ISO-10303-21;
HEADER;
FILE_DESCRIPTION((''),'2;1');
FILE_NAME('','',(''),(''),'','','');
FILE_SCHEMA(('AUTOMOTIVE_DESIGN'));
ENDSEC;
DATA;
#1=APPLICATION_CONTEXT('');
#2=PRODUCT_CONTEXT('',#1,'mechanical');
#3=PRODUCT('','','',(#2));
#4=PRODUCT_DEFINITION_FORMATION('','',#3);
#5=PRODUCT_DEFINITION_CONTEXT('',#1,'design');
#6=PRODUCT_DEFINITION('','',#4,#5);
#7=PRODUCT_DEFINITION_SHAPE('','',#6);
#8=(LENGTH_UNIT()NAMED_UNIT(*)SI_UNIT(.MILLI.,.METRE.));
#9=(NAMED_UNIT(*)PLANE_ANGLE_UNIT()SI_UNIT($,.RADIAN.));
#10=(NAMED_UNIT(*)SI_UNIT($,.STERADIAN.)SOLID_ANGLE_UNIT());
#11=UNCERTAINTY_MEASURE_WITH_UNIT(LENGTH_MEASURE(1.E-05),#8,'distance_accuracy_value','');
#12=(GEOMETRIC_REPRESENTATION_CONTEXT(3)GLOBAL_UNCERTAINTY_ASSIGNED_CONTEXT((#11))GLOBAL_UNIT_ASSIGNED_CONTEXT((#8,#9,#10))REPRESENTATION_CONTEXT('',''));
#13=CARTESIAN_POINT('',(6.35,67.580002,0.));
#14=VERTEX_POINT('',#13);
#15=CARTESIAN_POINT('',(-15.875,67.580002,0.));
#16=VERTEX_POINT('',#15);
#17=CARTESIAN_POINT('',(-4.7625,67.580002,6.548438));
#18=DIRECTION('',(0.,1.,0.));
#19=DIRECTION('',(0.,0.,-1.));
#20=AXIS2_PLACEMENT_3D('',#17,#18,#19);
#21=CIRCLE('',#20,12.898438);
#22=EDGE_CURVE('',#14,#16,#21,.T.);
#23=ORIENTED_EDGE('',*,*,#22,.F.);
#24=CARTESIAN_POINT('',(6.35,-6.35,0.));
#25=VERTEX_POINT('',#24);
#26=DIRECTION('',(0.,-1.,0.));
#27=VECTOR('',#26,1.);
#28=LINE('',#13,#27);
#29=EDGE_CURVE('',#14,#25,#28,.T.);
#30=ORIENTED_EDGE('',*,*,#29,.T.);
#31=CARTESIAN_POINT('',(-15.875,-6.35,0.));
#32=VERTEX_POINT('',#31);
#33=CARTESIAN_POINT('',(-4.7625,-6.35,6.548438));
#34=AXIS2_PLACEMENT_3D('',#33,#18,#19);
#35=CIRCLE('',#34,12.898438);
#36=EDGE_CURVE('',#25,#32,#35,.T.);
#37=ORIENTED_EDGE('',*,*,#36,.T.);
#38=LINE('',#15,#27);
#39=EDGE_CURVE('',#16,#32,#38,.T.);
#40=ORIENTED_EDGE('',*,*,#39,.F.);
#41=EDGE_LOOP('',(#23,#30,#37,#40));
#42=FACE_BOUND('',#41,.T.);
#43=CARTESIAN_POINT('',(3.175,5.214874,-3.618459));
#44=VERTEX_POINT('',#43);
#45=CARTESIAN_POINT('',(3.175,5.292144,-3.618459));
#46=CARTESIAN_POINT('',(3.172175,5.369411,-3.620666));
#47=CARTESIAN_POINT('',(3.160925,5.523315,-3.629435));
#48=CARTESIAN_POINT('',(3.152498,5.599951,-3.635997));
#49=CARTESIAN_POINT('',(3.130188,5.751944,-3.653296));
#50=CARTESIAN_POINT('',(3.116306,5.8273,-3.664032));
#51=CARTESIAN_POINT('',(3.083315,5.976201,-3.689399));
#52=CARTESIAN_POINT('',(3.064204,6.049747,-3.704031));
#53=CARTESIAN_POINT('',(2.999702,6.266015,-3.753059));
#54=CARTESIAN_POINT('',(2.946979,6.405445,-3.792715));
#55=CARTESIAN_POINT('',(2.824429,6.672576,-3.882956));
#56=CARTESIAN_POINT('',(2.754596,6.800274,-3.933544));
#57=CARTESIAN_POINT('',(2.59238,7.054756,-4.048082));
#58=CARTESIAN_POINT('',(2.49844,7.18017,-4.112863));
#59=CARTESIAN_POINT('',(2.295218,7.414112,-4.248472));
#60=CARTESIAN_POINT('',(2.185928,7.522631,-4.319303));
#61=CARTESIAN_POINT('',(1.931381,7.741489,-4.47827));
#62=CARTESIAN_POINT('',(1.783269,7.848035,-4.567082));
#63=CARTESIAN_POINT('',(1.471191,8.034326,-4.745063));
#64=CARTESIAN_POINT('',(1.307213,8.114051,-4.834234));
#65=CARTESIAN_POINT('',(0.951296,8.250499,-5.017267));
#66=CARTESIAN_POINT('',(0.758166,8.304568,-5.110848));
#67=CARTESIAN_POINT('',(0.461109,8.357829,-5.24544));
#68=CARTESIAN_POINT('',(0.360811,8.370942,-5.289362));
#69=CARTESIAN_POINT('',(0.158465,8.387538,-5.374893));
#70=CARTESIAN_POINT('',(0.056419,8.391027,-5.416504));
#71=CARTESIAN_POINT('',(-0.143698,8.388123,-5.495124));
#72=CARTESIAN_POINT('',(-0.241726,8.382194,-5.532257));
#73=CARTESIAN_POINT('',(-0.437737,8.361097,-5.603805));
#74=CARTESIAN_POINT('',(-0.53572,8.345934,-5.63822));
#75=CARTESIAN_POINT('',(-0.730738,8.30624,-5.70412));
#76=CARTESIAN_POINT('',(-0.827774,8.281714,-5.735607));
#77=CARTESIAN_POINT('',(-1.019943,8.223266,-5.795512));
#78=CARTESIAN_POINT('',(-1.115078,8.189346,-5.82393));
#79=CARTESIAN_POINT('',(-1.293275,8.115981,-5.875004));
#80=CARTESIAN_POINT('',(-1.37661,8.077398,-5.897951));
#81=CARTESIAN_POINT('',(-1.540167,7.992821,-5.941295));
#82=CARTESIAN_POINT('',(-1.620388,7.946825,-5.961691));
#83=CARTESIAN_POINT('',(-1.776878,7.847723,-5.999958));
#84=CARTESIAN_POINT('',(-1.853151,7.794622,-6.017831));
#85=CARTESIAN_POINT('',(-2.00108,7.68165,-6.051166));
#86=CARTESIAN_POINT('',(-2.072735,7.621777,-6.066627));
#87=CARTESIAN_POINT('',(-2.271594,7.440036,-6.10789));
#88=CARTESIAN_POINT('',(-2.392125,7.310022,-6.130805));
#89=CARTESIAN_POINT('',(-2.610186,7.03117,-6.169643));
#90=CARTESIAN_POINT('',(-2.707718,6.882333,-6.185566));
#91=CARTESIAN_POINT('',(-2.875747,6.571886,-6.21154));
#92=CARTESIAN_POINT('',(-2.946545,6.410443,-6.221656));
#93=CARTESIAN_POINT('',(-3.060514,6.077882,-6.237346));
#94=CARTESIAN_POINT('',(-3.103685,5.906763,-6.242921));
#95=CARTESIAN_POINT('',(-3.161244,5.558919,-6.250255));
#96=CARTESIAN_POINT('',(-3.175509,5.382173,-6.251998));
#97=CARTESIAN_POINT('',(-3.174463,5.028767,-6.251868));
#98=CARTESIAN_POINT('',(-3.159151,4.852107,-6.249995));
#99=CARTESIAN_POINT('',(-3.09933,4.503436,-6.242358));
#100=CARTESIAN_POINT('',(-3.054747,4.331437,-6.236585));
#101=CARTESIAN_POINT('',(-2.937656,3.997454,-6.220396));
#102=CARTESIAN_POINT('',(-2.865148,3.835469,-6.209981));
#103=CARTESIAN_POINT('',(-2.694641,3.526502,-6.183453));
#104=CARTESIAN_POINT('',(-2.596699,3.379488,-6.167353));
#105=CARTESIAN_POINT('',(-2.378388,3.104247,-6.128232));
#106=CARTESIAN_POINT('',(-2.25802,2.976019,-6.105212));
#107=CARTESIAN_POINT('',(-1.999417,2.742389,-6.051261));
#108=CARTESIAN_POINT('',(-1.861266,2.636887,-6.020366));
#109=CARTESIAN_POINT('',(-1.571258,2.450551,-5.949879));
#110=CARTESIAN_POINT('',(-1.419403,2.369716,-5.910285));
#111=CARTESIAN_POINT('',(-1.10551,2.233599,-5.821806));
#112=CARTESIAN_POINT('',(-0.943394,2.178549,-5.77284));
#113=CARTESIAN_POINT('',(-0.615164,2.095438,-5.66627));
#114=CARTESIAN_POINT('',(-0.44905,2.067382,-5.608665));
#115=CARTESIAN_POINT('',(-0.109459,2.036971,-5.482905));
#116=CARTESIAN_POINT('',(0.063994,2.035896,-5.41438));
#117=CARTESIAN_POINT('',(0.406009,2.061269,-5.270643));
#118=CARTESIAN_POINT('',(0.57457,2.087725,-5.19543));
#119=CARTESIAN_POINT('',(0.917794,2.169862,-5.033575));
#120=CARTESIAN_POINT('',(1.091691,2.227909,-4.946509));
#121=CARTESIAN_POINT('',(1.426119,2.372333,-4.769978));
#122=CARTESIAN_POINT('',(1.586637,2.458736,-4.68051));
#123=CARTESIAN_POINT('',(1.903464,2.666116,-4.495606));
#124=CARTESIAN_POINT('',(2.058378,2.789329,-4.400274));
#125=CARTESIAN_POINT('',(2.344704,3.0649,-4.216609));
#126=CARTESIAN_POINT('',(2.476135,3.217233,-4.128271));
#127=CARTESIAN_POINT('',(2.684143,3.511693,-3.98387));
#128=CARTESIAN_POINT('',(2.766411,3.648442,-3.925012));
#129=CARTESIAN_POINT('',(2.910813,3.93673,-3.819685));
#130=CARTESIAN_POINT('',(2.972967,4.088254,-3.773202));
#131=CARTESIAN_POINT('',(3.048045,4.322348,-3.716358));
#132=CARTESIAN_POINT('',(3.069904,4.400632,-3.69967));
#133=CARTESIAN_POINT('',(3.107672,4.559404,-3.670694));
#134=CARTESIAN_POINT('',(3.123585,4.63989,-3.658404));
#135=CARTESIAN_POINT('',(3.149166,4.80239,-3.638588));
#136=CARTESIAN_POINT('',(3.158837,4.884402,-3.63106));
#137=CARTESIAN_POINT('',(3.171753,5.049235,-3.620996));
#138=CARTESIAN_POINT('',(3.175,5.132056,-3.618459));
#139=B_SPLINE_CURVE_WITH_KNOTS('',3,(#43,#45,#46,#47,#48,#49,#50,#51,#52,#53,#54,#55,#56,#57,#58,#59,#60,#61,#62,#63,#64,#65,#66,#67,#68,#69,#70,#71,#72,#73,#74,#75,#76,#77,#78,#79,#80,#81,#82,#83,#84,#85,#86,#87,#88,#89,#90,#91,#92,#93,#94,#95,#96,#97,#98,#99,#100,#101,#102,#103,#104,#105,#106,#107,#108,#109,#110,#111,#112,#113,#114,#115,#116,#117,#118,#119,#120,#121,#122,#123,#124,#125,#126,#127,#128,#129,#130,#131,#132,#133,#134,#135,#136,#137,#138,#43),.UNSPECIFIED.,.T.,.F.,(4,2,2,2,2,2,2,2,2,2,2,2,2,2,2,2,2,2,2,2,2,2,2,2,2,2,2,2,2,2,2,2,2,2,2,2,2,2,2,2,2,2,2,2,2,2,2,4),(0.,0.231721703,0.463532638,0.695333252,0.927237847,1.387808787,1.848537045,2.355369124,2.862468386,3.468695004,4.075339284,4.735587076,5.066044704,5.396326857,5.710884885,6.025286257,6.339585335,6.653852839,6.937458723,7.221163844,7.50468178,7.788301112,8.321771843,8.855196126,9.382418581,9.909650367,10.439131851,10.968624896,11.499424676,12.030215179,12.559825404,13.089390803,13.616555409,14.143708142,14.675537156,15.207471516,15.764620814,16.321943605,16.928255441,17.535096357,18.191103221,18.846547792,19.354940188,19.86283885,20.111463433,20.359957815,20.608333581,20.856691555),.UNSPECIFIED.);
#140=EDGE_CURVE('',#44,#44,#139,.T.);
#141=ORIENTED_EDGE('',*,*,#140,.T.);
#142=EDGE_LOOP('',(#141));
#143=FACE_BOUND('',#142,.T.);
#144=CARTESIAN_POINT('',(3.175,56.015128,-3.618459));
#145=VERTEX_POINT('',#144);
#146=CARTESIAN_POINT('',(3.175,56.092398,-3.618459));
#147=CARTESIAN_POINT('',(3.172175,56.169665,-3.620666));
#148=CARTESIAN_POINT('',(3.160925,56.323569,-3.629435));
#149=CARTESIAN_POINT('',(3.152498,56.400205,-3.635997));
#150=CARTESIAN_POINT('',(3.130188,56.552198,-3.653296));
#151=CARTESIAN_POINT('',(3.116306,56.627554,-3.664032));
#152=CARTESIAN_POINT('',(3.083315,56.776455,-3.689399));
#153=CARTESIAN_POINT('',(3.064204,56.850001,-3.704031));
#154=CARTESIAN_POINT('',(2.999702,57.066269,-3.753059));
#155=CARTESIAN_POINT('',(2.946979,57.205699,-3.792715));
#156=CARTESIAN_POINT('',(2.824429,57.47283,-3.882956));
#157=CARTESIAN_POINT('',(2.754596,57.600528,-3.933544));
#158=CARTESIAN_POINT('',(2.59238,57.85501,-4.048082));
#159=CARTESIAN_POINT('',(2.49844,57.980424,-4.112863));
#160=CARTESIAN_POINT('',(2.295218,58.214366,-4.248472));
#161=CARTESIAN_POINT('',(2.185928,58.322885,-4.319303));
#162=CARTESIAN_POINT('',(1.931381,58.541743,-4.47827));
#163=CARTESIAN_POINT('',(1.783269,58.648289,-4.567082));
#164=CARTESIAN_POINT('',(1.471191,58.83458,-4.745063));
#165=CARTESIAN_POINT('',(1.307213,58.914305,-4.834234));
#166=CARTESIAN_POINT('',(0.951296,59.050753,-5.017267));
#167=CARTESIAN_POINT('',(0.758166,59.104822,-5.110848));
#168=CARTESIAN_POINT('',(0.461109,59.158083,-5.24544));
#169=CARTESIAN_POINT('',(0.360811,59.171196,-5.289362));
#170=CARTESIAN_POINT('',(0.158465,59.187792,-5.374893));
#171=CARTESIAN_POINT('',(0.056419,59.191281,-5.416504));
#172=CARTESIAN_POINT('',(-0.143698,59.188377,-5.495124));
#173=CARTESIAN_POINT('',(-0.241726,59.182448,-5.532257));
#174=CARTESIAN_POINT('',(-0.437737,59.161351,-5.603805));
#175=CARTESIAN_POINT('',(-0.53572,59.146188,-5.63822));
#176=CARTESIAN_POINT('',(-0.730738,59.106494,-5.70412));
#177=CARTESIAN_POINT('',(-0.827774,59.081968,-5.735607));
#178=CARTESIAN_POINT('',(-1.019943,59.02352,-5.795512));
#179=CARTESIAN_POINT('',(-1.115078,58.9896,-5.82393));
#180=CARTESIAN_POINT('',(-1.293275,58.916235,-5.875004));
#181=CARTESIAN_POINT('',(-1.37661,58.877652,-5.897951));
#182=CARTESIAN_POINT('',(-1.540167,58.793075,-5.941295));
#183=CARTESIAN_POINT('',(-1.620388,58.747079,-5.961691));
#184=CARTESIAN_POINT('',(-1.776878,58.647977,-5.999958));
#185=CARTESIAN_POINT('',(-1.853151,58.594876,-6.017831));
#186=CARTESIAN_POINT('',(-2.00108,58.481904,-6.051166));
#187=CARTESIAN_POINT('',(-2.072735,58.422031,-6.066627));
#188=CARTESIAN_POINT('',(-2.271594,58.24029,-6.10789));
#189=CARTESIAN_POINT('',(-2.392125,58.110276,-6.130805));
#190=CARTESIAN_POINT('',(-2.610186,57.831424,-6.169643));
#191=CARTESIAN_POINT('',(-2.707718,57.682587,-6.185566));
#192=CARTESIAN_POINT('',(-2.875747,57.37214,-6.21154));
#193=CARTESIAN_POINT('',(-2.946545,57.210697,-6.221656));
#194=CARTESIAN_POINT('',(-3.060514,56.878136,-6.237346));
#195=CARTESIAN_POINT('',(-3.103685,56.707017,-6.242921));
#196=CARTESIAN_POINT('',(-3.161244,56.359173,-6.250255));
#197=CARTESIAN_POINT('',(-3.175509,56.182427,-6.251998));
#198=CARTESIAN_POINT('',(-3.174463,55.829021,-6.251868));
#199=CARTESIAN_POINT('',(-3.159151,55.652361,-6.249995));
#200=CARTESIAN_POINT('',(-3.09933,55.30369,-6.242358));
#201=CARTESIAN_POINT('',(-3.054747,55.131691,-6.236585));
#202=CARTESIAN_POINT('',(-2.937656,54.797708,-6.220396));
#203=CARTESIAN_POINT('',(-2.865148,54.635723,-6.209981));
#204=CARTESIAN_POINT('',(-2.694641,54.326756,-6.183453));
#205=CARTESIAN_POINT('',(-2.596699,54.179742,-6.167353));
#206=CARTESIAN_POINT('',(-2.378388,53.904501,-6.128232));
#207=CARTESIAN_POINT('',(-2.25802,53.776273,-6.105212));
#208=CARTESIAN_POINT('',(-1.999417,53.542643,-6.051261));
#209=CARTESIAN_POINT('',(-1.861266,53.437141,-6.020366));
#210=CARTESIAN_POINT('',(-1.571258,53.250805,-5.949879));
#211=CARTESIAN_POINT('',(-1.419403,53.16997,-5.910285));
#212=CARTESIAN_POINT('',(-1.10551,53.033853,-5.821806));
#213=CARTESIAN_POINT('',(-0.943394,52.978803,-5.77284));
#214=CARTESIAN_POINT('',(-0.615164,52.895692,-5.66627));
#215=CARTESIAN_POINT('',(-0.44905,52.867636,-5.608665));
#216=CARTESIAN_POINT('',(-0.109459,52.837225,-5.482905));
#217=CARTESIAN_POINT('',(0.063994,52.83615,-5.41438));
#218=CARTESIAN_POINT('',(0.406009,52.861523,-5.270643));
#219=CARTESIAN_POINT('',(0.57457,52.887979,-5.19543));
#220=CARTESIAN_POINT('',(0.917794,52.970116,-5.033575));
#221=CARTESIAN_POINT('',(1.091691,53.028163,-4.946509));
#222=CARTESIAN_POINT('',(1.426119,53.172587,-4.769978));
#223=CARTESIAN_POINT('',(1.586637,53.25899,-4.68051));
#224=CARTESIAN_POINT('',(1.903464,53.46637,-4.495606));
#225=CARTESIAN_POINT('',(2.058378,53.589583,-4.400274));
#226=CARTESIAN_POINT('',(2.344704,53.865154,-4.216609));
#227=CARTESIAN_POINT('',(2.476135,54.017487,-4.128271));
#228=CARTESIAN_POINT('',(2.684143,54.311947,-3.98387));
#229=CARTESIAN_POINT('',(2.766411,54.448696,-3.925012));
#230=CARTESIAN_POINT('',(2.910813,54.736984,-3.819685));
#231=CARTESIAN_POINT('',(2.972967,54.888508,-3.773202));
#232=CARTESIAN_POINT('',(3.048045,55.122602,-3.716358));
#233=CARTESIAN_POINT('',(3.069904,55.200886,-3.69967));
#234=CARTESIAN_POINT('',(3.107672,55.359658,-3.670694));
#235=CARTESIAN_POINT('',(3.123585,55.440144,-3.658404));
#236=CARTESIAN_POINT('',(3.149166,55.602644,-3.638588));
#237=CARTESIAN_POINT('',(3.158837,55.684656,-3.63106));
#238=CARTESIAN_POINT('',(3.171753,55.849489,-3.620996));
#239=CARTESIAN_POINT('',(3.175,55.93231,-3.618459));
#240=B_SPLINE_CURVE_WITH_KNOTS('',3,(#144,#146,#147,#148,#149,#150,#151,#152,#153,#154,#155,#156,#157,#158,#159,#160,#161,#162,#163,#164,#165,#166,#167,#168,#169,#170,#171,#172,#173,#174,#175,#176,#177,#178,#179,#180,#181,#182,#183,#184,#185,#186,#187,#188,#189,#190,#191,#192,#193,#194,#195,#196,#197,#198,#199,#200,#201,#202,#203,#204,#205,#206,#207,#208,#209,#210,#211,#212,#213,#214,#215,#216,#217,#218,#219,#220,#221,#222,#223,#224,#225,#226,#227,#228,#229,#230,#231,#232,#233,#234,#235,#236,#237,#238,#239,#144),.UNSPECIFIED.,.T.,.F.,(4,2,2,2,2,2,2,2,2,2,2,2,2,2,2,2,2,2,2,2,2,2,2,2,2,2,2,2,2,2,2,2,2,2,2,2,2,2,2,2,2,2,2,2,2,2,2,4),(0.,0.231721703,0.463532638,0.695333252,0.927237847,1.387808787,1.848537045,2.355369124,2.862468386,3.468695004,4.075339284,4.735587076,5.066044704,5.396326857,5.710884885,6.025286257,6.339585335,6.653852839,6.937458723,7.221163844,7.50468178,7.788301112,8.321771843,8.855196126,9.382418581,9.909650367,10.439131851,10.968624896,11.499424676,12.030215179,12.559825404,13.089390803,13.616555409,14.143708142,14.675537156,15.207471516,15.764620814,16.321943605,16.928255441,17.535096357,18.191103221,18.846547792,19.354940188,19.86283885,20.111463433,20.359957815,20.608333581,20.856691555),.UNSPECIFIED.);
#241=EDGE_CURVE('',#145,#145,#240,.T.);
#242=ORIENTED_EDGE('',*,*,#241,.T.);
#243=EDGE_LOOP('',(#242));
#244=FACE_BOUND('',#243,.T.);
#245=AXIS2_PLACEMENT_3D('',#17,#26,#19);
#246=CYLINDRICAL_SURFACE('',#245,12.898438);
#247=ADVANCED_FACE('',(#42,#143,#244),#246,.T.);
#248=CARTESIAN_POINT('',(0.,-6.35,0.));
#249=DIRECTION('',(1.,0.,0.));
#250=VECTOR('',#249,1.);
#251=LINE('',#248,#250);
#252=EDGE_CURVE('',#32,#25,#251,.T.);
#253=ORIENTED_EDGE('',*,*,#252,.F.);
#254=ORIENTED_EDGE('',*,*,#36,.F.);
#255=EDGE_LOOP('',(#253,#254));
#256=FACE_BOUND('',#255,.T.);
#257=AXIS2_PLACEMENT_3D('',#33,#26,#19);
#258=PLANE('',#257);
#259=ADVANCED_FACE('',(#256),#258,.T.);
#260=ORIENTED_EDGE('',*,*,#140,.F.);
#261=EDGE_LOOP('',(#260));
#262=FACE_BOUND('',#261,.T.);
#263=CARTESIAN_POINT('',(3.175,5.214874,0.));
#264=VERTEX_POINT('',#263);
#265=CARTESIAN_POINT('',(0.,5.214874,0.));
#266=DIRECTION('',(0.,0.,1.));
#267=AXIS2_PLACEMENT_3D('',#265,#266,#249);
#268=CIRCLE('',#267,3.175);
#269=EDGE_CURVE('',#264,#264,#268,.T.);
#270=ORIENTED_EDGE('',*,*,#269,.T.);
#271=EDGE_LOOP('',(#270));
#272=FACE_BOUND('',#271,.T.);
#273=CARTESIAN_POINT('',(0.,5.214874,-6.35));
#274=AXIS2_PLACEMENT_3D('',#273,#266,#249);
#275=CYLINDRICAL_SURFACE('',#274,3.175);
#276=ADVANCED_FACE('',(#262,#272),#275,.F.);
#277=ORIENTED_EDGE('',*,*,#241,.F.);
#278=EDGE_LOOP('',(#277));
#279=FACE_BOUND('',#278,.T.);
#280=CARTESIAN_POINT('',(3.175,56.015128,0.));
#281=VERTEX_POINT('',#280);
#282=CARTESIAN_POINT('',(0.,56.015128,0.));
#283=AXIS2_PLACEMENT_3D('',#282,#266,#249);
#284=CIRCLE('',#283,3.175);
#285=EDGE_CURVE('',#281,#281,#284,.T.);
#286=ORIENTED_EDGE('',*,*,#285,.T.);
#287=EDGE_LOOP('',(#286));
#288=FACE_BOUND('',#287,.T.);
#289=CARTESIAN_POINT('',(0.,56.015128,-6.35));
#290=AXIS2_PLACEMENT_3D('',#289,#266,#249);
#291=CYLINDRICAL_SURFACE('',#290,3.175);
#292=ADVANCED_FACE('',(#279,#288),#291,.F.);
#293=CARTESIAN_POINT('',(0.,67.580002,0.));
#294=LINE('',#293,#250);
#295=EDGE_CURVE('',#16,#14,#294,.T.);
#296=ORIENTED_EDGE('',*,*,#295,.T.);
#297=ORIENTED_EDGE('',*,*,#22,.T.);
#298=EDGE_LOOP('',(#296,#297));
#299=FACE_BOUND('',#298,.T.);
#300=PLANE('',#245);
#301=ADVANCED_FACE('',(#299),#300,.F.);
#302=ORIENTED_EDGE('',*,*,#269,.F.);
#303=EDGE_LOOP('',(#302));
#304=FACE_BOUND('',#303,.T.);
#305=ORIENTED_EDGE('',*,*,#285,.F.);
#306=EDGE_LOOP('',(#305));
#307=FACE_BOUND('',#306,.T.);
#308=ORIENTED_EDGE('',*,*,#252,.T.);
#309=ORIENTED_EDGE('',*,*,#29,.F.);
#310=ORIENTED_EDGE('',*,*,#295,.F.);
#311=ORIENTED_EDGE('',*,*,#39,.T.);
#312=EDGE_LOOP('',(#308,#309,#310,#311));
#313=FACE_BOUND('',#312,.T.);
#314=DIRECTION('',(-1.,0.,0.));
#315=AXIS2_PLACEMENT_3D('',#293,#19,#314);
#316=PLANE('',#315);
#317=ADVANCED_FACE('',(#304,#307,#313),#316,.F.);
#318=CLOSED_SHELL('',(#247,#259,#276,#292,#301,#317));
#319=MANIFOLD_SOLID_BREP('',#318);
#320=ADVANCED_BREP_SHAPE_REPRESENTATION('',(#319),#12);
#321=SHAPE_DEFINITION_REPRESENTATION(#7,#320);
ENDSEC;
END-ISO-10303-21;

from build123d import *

# Parameters (mm, degrees)
BOSS_EXTRUDE1_START     = -6.35
BOSS_EXTRUDE1_DEPTH     = 73.930002
SKETCH1_R               = 3.175
CUT_EXTRUDE2_DEPTH      = 1
CUT_EXTRUDE2_DEPTH_BACK = 7.35


with BuildPart() as part:
    # Sketch2 → Boss-Extrude1 (new body)
    with BuildSketch(Plane(origin=(0, 0, 0), x_dir=(1, 0, 0), z_dir=(0, 1, 0)).offset(BOSS_EXTRUDE1_START)):
        with BuildLine():
            Line((0, 0), (6.35, 0))
            ThreePointArc((6.35, 0), (-4.7625, 6.35), (-15.875, 0))
            Line((-15.875, 0), (0, 0))
        make_face()
    extrude(amount=BOSS_EXTRUDE1_DEPTH)

    # Sketch1 → Cut-Extrude2 (cut, two sides)
    with BuildSketch(Plane.XY) as cut_extrude2_sk:
        with Locations((0, 56.015128)):
            Circle(SKETCH1_R)
        with Locations((0, 5.214874)):
            Circle(SKETCH1_R)
    extrude(amount=CUT_EXTRUDE2_DEPTH, mode=Mode.SUBTRACT)
    extrude(cut_extrude2_sk.sketch, amount=-CUT_EXTRUDE2_DEPTH_BACK, mode=Mode.SUBTRACT)


solid = part.part
